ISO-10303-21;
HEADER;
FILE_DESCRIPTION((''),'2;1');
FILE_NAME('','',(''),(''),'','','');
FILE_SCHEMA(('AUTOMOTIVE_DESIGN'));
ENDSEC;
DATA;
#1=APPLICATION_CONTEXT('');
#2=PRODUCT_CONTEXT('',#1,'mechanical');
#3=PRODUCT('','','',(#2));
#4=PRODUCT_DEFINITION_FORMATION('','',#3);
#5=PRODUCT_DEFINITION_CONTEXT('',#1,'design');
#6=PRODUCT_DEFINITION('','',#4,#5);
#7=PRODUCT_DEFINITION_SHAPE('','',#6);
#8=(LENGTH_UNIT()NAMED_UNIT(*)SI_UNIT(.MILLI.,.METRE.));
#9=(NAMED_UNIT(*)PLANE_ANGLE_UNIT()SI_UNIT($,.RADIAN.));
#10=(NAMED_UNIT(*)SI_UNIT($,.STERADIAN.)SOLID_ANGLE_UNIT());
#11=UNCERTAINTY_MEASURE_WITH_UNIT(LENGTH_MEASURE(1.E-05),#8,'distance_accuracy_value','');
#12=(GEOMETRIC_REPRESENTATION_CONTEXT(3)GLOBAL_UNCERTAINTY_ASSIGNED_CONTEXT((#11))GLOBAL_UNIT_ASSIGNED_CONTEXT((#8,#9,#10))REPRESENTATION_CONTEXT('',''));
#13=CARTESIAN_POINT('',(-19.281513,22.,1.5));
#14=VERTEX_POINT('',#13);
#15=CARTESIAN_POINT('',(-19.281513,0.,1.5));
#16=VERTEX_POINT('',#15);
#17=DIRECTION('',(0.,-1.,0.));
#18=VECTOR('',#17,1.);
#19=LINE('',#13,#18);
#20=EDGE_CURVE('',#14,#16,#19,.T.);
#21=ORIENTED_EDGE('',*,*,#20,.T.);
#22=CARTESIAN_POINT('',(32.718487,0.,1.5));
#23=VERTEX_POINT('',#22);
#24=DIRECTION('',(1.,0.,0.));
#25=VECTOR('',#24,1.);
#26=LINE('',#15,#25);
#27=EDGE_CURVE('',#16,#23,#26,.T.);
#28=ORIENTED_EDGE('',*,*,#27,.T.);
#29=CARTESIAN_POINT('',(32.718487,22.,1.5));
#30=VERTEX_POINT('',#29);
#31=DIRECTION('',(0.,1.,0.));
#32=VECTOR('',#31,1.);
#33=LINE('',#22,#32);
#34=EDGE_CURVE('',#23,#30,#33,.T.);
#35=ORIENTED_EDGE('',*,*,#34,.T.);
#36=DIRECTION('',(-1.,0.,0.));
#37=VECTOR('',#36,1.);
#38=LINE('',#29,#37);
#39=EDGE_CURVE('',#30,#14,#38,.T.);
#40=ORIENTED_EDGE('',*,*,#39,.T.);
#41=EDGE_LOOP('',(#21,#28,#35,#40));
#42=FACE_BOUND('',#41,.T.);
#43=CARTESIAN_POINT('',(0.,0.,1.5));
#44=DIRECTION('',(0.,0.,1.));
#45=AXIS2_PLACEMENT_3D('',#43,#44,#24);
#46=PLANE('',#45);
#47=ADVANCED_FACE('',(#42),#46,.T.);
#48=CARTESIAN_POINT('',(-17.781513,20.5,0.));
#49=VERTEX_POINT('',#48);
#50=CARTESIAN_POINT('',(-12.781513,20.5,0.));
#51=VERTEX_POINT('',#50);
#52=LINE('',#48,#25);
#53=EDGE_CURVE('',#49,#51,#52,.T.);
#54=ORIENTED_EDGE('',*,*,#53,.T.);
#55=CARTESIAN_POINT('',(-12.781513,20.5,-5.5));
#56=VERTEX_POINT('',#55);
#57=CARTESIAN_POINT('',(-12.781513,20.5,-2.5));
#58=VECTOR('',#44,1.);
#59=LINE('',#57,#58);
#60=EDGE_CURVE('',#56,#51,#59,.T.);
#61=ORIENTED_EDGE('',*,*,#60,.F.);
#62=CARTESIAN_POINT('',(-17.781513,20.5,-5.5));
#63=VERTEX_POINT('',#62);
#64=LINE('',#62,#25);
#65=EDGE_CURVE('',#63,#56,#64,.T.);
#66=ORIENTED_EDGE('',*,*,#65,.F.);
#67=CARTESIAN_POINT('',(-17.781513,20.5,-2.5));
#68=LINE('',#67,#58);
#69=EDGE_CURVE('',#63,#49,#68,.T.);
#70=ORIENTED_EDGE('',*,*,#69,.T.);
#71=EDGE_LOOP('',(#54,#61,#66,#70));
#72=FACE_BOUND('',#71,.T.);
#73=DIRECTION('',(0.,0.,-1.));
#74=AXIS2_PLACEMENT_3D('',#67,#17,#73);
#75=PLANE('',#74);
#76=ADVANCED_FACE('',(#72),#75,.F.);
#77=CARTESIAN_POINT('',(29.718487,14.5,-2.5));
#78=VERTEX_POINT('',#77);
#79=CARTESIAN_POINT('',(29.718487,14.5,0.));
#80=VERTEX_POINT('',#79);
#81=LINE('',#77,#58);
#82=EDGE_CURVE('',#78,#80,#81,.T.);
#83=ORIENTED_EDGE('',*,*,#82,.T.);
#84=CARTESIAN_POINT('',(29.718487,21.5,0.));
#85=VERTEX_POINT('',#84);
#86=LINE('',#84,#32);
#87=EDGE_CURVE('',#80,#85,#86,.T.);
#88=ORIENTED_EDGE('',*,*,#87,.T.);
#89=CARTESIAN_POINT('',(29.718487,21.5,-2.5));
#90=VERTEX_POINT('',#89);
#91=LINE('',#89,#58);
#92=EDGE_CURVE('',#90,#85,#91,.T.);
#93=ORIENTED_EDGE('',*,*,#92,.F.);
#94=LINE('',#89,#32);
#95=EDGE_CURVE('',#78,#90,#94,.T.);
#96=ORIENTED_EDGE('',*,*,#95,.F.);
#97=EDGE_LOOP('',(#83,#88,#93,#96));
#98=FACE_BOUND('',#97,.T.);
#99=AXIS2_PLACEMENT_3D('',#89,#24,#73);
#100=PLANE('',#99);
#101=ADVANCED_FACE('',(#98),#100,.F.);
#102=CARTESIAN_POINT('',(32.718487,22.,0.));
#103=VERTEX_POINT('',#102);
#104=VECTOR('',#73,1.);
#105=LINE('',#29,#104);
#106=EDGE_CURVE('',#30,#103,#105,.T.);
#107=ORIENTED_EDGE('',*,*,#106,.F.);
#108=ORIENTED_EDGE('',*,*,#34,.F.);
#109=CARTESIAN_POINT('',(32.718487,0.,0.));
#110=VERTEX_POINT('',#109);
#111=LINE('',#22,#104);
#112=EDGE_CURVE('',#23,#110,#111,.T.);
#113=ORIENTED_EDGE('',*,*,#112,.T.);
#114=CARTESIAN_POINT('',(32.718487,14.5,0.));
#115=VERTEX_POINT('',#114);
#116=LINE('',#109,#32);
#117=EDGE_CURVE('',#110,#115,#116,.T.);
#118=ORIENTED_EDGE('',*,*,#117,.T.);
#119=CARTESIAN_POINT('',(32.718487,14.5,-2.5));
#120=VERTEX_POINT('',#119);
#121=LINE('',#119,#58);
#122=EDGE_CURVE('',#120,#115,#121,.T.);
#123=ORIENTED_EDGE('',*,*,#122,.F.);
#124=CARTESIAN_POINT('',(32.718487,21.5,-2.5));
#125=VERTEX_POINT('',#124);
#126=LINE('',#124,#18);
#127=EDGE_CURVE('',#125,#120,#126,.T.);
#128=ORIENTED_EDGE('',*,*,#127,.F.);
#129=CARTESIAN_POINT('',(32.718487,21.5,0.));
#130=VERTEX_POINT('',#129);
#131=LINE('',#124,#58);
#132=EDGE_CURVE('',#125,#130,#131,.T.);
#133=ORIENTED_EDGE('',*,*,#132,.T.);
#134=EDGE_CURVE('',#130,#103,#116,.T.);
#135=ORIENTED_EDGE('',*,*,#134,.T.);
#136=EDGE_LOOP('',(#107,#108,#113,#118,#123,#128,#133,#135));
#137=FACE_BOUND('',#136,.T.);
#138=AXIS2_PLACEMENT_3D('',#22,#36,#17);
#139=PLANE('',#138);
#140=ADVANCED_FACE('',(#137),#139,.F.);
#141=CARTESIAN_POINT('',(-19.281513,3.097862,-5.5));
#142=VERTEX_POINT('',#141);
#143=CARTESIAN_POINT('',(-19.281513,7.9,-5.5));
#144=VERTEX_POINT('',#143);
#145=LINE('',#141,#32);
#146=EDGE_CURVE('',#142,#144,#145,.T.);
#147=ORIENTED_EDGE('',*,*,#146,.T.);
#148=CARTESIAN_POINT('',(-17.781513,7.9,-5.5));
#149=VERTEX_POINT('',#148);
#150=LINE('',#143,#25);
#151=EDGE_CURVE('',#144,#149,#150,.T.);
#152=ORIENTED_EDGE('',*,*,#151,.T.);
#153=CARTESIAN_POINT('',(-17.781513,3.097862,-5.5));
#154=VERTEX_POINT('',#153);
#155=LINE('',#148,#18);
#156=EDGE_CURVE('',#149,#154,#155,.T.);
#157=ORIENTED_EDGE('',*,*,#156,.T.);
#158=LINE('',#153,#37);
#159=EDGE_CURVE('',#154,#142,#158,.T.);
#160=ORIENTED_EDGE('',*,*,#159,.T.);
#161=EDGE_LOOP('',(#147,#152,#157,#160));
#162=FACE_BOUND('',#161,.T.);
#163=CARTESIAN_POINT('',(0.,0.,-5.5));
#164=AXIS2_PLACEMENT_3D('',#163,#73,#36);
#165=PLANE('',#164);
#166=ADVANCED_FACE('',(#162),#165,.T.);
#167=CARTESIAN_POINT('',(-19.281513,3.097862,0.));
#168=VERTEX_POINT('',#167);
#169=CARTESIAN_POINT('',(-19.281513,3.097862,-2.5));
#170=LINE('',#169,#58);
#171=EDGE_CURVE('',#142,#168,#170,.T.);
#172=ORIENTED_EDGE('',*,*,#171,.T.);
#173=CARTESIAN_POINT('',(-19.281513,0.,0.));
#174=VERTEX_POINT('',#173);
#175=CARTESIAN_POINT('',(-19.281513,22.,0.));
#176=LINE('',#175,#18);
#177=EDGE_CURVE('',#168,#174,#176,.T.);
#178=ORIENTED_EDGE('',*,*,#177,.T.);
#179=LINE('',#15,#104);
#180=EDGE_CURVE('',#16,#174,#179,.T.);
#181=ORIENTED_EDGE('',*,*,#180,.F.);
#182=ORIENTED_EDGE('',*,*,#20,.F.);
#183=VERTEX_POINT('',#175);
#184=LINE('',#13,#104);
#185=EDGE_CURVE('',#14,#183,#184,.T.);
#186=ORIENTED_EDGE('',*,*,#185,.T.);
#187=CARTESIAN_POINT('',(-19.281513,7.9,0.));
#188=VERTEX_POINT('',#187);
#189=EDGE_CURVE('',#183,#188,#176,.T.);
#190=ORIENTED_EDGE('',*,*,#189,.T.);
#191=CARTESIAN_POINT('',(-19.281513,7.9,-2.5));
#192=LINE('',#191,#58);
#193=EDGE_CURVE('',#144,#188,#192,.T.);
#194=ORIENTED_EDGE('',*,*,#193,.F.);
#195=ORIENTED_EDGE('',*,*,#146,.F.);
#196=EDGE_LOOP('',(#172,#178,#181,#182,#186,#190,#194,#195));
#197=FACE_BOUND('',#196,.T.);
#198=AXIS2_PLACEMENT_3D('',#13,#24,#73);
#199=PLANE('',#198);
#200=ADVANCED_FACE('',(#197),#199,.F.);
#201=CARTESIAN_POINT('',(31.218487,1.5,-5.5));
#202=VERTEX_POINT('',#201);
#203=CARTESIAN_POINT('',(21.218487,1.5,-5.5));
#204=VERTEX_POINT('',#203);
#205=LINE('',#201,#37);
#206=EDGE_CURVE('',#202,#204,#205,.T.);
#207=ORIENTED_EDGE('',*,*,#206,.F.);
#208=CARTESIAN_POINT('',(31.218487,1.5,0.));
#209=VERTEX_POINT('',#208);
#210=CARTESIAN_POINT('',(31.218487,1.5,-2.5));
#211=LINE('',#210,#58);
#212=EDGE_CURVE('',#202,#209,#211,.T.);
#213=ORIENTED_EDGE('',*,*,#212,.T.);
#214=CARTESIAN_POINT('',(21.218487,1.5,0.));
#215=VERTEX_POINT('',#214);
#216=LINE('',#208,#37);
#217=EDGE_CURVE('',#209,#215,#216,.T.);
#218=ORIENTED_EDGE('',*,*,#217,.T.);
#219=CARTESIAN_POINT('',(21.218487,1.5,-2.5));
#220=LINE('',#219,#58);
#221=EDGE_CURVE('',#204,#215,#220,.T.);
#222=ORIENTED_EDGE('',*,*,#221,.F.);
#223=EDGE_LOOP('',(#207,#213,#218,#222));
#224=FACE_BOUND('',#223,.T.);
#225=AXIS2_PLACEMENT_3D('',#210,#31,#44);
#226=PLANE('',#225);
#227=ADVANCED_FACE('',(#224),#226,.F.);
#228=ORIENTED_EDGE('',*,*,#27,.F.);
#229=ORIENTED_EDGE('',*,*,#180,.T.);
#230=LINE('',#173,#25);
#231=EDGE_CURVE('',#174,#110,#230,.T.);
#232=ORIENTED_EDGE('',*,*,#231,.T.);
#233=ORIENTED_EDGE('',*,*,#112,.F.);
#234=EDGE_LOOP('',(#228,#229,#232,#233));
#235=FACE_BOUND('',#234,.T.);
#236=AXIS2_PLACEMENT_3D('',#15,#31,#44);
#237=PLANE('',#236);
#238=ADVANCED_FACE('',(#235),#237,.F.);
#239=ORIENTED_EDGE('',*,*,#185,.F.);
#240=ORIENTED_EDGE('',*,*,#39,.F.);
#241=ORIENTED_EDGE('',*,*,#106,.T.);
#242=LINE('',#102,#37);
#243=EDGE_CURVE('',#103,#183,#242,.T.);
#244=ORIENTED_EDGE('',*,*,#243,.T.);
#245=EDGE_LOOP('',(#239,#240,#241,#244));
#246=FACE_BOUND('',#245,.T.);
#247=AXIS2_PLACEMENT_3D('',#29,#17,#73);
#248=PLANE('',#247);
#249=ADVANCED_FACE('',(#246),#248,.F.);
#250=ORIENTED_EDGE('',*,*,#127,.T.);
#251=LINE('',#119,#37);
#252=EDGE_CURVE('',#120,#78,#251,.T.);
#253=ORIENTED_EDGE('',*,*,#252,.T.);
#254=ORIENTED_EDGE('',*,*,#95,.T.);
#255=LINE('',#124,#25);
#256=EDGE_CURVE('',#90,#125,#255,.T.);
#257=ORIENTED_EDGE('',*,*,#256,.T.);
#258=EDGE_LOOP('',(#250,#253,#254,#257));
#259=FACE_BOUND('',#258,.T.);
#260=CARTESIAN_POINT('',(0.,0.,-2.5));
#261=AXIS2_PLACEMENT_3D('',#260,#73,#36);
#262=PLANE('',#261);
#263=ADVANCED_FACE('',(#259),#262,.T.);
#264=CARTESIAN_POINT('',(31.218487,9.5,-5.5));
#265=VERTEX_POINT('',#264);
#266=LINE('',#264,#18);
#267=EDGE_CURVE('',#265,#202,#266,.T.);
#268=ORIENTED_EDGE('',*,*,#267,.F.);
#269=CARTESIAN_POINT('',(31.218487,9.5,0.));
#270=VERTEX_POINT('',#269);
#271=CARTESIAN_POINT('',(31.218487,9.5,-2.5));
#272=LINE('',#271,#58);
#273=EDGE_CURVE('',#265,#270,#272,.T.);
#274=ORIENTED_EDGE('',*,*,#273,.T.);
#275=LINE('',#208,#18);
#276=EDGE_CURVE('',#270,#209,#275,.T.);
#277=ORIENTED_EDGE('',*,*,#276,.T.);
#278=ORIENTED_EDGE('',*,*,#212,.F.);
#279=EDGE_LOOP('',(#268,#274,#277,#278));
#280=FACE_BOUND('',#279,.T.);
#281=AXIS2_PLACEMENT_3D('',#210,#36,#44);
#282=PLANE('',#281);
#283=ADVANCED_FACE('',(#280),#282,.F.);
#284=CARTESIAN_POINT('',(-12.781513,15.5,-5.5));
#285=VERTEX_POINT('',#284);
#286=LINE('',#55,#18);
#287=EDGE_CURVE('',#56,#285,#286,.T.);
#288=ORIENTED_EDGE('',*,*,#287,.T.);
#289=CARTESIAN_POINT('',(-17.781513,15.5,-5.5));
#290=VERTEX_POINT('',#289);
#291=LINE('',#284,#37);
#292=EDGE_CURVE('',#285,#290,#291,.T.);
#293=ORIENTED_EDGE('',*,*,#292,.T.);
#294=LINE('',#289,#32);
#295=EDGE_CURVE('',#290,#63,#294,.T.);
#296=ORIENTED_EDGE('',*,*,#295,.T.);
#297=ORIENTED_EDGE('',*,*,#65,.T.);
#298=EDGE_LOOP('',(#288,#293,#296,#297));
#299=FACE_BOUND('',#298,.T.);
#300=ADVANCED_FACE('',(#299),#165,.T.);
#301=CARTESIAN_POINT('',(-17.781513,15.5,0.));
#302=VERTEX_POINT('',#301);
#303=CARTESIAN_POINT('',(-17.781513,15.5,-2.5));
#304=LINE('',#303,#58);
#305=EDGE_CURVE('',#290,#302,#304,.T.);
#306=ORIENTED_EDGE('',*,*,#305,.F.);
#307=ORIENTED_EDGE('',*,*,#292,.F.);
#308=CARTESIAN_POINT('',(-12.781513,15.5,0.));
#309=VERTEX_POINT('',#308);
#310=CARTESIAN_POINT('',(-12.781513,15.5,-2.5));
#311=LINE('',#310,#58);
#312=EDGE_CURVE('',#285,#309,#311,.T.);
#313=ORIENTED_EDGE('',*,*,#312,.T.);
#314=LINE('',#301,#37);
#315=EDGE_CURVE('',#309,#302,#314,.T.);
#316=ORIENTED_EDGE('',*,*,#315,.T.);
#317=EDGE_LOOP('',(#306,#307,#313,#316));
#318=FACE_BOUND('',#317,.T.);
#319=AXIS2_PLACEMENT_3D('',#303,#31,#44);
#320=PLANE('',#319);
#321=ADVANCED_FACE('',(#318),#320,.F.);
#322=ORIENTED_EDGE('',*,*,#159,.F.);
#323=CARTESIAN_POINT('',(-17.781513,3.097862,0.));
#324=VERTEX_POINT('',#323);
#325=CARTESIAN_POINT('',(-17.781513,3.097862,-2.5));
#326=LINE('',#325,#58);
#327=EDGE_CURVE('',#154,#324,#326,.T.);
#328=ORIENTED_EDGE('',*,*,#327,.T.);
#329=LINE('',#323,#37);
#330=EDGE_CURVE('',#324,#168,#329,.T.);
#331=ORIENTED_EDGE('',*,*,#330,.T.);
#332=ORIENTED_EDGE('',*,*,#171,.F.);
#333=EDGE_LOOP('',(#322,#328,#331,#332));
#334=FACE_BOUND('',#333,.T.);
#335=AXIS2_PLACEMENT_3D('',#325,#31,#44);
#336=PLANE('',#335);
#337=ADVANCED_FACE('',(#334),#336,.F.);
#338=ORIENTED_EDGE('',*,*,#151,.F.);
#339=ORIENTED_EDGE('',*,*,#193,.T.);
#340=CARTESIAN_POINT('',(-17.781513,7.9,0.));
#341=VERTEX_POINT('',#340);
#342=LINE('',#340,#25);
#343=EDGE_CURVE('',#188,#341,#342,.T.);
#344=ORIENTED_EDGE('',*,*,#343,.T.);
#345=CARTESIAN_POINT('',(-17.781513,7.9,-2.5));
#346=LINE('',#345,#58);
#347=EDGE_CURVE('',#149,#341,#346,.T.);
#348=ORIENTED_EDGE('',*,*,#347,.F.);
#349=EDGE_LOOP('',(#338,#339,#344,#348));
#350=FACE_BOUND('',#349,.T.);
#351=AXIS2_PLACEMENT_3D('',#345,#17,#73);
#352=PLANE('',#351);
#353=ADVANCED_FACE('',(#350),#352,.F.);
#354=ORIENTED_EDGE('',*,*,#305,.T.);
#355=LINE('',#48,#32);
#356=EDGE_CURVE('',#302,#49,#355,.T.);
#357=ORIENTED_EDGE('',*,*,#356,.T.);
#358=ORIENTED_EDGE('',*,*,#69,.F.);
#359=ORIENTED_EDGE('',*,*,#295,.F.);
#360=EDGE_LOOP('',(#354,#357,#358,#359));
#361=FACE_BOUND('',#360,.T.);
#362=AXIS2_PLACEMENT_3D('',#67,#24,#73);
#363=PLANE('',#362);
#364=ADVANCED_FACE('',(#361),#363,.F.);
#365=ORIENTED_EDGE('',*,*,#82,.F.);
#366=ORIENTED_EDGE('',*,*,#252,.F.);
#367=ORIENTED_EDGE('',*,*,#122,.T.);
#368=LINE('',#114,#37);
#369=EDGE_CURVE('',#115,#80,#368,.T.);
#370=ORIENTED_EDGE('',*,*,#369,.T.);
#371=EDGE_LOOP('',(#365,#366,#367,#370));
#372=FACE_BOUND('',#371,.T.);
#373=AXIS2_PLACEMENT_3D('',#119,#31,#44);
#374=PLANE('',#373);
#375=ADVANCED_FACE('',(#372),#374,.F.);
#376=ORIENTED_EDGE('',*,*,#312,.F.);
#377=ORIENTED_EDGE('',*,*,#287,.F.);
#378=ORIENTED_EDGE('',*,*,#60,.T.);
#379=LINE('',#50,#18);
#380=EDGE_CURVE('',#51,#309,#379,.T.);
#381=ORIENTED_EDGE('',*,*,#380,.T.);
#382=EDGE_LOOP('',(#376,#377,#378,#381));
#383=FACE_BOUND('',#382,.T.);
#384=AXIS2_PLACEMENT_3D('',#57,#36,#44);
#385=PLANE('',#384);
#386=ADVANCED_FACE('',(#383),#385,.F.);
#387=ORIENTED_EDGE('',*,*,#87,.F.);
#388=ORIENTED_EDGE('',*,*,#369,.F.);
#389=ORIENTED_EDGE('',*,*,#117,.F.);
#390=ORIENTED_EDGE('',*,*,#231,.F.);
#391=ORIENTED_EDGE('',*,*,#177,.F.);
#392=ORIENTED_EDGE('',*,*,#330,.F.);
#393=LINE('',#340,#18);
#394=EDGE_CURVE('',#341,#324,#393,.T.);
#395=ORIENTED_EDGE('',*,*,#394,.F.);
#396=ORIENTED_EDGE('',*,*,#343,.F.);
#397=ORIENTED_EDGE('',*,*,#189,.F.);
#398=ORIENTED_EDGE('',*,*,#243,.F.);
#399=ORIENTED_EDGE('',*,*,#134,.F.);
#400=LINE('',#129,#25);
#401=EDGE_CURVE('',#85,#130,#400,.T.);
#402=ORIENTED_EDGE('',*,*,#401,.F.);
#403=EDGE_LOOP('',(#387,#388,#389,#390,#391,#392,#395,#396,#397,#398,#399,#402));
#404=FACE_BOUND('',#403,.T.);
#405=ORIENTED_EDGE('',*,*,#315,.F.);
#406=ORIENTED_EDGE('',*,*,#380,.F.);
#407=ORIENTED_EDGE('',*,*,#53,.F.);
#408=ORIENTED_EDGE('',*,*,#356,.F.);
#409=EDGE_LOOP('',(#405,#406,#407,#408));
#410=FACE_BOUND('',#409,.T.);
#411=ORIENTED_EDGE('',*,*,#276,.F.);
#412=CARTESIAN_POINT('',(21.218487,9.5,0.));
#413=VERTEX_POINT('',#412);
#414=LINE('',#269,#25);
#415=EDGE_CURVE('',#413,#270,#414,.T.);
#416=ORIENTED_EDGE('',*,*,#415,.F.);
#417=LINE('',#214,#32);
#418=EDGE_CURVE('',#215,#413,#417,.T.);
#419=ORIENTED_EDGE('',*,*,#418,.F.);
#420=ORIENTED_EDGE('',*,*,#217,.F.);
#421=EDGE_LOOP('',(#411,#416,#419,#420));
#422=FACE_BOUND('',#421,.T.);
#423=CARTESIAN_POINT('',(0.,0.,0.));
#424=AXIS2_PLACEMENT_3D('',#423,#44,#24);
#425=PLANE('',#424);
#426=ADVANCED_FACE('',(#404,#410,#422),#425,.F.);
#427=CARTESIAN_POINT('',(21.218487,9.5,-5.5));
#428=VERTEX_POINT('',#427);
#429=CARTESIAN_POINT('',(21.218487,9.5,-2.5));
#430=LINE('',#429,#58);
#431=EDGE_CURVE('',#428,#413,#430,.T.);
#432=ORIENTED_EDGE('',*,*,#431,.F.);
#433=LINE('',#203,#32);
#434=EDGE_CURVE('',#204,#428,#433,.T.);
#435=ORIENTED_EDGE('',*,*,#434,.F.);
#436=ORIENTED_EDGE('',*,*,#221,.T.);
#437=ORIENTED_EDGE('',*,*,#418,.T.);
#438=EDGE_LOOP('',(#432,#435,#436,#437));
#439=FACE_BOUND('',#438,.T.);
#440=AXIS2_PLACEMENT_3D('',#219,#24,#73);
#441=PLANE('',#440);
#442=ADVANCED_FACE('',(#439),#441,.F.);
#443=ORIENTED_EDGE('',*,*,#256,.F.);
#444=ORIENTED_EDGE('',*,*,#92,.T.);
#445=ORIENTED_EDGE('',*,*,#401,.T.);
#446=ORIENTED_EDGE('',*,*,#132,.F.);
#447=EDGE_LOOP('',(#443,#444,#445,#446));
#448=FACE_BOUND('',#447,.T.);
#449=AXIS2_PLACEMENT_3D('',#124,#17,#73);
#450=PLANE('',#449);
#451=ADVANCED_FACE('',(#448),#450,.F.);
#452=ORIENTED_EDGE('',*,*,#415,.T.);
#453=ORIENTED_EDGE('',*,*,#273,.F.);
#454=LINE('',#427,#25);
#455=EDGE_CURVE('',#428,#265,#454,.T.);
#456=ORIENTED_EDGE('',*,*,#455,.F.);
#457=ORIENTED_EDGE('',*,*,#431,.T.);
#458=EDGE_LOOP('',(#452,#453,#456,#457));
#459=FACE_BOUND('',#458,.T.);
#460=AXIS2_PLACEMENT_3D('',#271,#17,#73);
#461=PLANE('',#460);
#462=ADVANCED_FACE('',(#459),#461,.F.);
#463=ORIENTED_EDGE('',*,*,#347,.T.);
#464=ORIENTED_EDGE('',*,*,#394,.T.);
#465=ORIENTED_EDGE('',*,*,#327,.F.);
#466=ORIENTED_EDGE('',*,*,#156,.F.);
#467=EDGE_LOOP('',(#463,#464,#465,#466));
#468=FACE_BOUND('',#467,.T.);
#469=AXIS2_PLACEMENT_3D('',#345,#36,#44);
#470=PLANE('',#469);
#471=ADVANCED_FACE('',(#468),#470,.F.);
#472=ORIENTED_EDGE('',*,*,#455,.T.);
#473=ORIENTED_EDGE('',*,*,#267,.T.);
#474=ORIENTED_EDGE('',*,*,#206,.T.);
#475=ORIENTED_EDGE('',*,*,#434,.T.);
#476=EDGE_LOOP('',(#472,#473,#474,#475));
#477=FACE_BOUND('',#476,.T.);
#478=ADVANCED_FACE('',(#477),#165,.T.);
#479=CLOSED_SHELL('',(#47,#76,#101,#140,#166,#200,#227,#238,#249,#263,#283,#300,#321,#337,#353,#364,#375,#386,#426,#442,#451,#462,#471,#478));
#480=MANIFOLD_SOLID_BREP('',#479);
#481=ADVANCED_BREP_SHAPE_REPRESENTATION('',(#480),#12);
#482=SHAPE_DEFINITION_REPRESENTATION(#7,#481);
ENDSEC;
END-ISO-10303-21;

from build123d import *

# Parameters (mm, degrees)
SKETCH1_W           = 52
SKETCH1_H           = 22
BOSS_EXTRUDE1_DEPTH = 1.5
SKETCH2_W           = 5
SKETCH2_H           = 5
SKETCH2_W_2         = 10
SKETCH2_H_2         = 8
SKETCH2_W_3         = 3
SKETCH2_H_3         = 7
SKETCH2_W_4         = 1.5
SKETCH2_H_4         = 4.802137959
BOSS_EXTRUDE2_DEPTH = 2.5
SKETCH3_W           = 10
SKETCH3_H           = 8
SKETCH3_W_2         = 1.5
SKETCH3_H_2         = 4.802137959
SKETCH3_W_3         = 5
SKETCH3_H_3         = 5
BOSS_EXTRUDE3_DEPTH = 3


with BuildPart() as part:
    # Sketch1 → Boss-Extrude1 (new body)
    with BuildSketch(Plane.XY):
        with Locations((6.718487395, 11)):
            Rectangle(SKETCH1_W, SKETCH1_H)
    extrude(amount=BOSS_EXTRUDE1_DEPTH)

    # Sketch2 → Boss-Extrude2 (add)
    with BuildSketch(Plane(origin=(0, 0, 0), x_dir=(-1, 0, 0), z_dir=(0, 0, -1))):
        with Locations((15.281512605, 18)):
            Rectangle(SKETCH2_W, SKETCH2_H)
        with Locations((-26.218487395, 5.5)):
            Rectangle(SKETCH2_W_2, SKETCH2_H_2)
        with Locations((-31.218487395, 18)):
            Rectangle(SKETCH2_W_3, SKETCH2_H_3)
        with Locations((18.531512605, 5.498931021)):
            Rectangle(SKETCH2_W_4, SKETCH2_H_4)
    extrude(amount=BOSS_EXTRUDE2_DEPTH)

    # Sketch3 → Boss-Extrude3 (add)
    with BuildSketch(Plane(origin=(0, 0, -2.5), x_dir=(-1, 0, 0), z_dir=(0, 0, -1))):
        with Locations((-26.218487395, 5.5)):
            Rectangle(SKETCH3_W, SKETCH3_H)
        with Locations((18.531512605, 5.498931021)):
            Rectangle(SKETCH3_W_2, SKETCH3_H_2)
        with Locations((15.281512605, 18)):
            Rectangle(SKETCH3_W_3, SKETCH3_H_3)
    extrude(amount=BOSS_EXTRUDE3_DEPTH)


solid = part.part
